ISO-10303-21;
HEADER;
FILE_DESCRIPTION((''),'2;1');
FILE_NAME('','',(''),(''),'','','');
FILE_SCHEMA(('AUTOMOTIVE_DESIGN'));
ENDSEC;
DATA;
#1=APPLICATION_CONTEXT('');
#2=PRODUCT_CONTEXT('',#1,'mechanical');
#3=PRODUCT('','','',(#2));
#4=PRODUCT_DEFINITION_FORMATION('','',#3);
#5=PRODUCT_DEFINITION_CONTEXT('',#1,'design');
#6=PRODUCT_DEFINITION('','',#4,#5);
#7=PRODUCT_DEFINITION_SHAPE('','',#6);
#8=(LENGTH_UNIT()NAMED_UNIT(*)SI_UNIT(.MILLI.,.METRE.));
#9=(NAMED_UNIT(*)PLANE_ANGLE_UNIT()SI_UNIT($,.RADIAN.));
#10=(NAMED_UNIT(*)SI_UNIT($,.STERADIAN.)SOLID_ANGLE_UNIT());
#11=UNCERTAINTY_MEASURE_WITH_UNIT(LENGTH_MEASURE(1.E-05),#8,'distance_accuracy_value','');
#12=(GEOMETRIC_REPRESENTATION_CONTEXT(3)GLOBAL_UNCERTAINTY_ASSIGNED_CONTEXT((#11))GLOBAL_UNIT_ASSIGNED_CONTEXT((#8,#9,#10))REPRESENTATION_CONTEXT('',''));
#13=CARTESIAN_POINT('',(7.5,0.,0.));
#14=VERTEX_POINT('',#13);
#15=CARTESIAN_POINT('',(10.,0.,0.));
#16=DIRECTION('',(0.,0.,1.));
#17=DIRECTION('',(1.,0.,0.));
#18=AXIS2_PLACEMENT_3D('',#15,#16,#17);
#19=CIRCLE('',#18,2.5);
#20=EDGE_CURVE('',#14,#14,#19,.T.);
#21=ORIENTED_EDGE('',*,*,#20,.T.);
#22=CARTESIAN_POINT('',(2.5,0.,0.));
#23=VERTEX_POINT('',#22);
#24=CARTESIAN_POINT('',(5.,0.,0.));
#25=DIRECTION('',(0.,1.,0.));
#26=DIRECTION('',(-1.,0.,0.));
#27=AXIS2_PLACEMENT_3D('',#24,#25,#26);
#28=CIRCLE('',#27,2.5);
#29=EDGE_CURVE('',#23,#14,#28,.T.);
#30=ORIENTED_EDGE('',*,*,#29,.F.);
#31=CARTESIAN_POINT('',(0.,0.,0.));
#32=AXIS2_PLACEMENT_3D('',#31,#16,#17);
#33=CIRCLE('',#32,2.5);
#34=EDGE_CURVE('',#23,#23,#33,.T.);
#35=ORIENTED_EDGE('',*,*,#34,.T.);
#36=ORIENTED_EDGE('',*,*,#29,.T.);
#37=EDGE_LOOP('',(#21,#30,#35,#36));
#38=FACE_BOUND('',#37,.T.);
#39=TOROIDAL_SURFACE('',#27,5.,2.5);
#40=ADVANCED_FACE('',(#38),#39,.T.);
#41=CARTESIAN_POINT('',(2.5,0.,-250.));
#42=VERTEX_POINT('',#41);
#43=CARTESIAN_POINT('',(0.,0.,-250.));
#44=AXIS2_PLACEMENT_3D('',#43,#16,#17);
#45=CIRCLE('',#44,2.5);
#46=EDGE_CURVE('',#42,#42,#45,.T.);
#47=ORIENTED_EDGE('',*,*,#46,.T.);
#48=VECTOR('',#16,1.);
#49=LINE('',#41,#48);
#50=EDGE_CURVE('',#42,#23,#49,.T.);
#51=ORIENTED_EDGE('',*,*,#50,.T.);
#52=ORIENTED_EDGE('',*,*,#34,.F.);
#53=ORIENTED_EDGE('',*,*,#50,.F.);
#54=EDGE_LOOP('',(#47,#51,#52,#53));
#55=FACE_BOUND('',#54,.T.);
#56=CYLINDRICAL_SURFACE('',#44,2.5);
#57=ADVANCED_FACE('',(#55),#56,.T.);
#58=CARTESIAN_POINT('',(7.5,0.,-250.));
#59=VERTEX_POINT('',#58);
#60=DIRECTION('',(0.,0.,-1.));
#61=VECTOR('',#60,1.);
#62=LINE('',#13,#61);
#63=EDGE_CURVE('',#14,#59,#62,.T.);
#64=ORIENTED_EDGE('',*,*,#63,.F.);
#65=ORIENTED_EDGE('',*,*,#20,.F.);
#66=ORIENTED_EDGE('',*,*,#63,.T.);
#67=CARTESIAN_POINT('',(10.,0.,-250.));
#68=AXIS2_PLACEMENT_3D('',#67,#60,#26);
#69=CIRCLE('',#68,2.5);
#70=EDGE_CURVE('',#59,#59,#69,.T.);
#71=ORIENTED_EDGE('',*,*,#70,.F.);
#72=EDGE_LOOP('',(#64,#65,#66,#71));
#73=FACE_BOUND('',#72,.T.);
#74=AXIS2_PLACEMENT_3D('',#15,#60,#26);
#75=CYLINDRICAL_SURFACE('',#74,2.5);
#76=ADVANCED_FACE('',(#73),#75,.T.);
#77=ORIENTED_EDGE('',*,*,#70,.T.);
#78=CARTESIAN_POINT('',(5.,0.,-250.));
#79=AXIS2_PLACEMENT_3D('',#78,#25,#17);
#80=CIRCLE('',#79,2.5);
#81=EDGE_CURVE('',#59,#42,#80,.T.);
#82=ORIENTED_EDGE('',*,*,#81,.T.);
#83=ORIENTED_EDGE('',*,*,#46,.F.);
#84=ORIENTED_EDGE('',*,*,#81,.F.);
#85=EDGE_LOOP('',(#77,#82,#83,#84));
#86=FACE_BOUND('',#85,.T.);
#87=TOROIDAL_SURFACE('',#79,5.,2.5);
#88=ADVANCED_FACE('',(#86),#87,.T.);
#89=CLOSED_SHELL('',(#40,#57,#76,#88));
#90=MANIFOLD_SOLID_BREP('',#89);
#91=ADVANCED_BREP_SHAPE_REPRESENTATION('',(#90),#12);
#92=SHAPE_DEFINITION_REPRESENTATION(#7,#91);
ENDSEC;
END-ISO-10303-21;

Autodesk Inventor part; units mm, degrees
ref_plane "YZ Plane" through (0, 0, 0) normal (1, 0, 0) x (0, 1, 0)
ref_plane "XZ Plane" through (0, 0, 0) normal (0, 1, 0) x (-1, 0, 0)
ref_plane "XY Plane" through (0, 0, 0) normal (0, 0, 1) x (1, 0, 0)
sketch "Эскиз1" plane through (0, 0, 0) normal (0, 0, 1) x (1, 0, 0)
  circle A0 centre (0, 0) radius 2.5
  dimension "d0" = 5
sketch "Эскиз2" plane through (0, 0, 0) normal (0, 1, 0) x (-1, 0, 0)
  line L0 (0, 0) -> (-10, 0)
  line L1 (-5, 0) -> (-5, -250)
  line L2 (-5, 0) -> (245, 0) construction
  line L3 (-5, 0) -> (-5, -250) construction
  line L4 (-10, 0) -> (-10, -250)
  line L5 (0, -250) -> (0, 0)
  arc A0 (0, 0) -> (-10, 0) centre (-5, 0) ccw
  arc A1 (-10, -250) -> (0, -250) centre (-5, -250) ccw
  point P0 (-5, -125)
  dimension "d1" = 10
  dimension "d2" = 250
  dimension "d3" = 90
sweep "Сдвиг1" add profiles "Эскиз1" path "Эскиз2" path curves L5 A1 L4 A0
properties part number "сучара"
